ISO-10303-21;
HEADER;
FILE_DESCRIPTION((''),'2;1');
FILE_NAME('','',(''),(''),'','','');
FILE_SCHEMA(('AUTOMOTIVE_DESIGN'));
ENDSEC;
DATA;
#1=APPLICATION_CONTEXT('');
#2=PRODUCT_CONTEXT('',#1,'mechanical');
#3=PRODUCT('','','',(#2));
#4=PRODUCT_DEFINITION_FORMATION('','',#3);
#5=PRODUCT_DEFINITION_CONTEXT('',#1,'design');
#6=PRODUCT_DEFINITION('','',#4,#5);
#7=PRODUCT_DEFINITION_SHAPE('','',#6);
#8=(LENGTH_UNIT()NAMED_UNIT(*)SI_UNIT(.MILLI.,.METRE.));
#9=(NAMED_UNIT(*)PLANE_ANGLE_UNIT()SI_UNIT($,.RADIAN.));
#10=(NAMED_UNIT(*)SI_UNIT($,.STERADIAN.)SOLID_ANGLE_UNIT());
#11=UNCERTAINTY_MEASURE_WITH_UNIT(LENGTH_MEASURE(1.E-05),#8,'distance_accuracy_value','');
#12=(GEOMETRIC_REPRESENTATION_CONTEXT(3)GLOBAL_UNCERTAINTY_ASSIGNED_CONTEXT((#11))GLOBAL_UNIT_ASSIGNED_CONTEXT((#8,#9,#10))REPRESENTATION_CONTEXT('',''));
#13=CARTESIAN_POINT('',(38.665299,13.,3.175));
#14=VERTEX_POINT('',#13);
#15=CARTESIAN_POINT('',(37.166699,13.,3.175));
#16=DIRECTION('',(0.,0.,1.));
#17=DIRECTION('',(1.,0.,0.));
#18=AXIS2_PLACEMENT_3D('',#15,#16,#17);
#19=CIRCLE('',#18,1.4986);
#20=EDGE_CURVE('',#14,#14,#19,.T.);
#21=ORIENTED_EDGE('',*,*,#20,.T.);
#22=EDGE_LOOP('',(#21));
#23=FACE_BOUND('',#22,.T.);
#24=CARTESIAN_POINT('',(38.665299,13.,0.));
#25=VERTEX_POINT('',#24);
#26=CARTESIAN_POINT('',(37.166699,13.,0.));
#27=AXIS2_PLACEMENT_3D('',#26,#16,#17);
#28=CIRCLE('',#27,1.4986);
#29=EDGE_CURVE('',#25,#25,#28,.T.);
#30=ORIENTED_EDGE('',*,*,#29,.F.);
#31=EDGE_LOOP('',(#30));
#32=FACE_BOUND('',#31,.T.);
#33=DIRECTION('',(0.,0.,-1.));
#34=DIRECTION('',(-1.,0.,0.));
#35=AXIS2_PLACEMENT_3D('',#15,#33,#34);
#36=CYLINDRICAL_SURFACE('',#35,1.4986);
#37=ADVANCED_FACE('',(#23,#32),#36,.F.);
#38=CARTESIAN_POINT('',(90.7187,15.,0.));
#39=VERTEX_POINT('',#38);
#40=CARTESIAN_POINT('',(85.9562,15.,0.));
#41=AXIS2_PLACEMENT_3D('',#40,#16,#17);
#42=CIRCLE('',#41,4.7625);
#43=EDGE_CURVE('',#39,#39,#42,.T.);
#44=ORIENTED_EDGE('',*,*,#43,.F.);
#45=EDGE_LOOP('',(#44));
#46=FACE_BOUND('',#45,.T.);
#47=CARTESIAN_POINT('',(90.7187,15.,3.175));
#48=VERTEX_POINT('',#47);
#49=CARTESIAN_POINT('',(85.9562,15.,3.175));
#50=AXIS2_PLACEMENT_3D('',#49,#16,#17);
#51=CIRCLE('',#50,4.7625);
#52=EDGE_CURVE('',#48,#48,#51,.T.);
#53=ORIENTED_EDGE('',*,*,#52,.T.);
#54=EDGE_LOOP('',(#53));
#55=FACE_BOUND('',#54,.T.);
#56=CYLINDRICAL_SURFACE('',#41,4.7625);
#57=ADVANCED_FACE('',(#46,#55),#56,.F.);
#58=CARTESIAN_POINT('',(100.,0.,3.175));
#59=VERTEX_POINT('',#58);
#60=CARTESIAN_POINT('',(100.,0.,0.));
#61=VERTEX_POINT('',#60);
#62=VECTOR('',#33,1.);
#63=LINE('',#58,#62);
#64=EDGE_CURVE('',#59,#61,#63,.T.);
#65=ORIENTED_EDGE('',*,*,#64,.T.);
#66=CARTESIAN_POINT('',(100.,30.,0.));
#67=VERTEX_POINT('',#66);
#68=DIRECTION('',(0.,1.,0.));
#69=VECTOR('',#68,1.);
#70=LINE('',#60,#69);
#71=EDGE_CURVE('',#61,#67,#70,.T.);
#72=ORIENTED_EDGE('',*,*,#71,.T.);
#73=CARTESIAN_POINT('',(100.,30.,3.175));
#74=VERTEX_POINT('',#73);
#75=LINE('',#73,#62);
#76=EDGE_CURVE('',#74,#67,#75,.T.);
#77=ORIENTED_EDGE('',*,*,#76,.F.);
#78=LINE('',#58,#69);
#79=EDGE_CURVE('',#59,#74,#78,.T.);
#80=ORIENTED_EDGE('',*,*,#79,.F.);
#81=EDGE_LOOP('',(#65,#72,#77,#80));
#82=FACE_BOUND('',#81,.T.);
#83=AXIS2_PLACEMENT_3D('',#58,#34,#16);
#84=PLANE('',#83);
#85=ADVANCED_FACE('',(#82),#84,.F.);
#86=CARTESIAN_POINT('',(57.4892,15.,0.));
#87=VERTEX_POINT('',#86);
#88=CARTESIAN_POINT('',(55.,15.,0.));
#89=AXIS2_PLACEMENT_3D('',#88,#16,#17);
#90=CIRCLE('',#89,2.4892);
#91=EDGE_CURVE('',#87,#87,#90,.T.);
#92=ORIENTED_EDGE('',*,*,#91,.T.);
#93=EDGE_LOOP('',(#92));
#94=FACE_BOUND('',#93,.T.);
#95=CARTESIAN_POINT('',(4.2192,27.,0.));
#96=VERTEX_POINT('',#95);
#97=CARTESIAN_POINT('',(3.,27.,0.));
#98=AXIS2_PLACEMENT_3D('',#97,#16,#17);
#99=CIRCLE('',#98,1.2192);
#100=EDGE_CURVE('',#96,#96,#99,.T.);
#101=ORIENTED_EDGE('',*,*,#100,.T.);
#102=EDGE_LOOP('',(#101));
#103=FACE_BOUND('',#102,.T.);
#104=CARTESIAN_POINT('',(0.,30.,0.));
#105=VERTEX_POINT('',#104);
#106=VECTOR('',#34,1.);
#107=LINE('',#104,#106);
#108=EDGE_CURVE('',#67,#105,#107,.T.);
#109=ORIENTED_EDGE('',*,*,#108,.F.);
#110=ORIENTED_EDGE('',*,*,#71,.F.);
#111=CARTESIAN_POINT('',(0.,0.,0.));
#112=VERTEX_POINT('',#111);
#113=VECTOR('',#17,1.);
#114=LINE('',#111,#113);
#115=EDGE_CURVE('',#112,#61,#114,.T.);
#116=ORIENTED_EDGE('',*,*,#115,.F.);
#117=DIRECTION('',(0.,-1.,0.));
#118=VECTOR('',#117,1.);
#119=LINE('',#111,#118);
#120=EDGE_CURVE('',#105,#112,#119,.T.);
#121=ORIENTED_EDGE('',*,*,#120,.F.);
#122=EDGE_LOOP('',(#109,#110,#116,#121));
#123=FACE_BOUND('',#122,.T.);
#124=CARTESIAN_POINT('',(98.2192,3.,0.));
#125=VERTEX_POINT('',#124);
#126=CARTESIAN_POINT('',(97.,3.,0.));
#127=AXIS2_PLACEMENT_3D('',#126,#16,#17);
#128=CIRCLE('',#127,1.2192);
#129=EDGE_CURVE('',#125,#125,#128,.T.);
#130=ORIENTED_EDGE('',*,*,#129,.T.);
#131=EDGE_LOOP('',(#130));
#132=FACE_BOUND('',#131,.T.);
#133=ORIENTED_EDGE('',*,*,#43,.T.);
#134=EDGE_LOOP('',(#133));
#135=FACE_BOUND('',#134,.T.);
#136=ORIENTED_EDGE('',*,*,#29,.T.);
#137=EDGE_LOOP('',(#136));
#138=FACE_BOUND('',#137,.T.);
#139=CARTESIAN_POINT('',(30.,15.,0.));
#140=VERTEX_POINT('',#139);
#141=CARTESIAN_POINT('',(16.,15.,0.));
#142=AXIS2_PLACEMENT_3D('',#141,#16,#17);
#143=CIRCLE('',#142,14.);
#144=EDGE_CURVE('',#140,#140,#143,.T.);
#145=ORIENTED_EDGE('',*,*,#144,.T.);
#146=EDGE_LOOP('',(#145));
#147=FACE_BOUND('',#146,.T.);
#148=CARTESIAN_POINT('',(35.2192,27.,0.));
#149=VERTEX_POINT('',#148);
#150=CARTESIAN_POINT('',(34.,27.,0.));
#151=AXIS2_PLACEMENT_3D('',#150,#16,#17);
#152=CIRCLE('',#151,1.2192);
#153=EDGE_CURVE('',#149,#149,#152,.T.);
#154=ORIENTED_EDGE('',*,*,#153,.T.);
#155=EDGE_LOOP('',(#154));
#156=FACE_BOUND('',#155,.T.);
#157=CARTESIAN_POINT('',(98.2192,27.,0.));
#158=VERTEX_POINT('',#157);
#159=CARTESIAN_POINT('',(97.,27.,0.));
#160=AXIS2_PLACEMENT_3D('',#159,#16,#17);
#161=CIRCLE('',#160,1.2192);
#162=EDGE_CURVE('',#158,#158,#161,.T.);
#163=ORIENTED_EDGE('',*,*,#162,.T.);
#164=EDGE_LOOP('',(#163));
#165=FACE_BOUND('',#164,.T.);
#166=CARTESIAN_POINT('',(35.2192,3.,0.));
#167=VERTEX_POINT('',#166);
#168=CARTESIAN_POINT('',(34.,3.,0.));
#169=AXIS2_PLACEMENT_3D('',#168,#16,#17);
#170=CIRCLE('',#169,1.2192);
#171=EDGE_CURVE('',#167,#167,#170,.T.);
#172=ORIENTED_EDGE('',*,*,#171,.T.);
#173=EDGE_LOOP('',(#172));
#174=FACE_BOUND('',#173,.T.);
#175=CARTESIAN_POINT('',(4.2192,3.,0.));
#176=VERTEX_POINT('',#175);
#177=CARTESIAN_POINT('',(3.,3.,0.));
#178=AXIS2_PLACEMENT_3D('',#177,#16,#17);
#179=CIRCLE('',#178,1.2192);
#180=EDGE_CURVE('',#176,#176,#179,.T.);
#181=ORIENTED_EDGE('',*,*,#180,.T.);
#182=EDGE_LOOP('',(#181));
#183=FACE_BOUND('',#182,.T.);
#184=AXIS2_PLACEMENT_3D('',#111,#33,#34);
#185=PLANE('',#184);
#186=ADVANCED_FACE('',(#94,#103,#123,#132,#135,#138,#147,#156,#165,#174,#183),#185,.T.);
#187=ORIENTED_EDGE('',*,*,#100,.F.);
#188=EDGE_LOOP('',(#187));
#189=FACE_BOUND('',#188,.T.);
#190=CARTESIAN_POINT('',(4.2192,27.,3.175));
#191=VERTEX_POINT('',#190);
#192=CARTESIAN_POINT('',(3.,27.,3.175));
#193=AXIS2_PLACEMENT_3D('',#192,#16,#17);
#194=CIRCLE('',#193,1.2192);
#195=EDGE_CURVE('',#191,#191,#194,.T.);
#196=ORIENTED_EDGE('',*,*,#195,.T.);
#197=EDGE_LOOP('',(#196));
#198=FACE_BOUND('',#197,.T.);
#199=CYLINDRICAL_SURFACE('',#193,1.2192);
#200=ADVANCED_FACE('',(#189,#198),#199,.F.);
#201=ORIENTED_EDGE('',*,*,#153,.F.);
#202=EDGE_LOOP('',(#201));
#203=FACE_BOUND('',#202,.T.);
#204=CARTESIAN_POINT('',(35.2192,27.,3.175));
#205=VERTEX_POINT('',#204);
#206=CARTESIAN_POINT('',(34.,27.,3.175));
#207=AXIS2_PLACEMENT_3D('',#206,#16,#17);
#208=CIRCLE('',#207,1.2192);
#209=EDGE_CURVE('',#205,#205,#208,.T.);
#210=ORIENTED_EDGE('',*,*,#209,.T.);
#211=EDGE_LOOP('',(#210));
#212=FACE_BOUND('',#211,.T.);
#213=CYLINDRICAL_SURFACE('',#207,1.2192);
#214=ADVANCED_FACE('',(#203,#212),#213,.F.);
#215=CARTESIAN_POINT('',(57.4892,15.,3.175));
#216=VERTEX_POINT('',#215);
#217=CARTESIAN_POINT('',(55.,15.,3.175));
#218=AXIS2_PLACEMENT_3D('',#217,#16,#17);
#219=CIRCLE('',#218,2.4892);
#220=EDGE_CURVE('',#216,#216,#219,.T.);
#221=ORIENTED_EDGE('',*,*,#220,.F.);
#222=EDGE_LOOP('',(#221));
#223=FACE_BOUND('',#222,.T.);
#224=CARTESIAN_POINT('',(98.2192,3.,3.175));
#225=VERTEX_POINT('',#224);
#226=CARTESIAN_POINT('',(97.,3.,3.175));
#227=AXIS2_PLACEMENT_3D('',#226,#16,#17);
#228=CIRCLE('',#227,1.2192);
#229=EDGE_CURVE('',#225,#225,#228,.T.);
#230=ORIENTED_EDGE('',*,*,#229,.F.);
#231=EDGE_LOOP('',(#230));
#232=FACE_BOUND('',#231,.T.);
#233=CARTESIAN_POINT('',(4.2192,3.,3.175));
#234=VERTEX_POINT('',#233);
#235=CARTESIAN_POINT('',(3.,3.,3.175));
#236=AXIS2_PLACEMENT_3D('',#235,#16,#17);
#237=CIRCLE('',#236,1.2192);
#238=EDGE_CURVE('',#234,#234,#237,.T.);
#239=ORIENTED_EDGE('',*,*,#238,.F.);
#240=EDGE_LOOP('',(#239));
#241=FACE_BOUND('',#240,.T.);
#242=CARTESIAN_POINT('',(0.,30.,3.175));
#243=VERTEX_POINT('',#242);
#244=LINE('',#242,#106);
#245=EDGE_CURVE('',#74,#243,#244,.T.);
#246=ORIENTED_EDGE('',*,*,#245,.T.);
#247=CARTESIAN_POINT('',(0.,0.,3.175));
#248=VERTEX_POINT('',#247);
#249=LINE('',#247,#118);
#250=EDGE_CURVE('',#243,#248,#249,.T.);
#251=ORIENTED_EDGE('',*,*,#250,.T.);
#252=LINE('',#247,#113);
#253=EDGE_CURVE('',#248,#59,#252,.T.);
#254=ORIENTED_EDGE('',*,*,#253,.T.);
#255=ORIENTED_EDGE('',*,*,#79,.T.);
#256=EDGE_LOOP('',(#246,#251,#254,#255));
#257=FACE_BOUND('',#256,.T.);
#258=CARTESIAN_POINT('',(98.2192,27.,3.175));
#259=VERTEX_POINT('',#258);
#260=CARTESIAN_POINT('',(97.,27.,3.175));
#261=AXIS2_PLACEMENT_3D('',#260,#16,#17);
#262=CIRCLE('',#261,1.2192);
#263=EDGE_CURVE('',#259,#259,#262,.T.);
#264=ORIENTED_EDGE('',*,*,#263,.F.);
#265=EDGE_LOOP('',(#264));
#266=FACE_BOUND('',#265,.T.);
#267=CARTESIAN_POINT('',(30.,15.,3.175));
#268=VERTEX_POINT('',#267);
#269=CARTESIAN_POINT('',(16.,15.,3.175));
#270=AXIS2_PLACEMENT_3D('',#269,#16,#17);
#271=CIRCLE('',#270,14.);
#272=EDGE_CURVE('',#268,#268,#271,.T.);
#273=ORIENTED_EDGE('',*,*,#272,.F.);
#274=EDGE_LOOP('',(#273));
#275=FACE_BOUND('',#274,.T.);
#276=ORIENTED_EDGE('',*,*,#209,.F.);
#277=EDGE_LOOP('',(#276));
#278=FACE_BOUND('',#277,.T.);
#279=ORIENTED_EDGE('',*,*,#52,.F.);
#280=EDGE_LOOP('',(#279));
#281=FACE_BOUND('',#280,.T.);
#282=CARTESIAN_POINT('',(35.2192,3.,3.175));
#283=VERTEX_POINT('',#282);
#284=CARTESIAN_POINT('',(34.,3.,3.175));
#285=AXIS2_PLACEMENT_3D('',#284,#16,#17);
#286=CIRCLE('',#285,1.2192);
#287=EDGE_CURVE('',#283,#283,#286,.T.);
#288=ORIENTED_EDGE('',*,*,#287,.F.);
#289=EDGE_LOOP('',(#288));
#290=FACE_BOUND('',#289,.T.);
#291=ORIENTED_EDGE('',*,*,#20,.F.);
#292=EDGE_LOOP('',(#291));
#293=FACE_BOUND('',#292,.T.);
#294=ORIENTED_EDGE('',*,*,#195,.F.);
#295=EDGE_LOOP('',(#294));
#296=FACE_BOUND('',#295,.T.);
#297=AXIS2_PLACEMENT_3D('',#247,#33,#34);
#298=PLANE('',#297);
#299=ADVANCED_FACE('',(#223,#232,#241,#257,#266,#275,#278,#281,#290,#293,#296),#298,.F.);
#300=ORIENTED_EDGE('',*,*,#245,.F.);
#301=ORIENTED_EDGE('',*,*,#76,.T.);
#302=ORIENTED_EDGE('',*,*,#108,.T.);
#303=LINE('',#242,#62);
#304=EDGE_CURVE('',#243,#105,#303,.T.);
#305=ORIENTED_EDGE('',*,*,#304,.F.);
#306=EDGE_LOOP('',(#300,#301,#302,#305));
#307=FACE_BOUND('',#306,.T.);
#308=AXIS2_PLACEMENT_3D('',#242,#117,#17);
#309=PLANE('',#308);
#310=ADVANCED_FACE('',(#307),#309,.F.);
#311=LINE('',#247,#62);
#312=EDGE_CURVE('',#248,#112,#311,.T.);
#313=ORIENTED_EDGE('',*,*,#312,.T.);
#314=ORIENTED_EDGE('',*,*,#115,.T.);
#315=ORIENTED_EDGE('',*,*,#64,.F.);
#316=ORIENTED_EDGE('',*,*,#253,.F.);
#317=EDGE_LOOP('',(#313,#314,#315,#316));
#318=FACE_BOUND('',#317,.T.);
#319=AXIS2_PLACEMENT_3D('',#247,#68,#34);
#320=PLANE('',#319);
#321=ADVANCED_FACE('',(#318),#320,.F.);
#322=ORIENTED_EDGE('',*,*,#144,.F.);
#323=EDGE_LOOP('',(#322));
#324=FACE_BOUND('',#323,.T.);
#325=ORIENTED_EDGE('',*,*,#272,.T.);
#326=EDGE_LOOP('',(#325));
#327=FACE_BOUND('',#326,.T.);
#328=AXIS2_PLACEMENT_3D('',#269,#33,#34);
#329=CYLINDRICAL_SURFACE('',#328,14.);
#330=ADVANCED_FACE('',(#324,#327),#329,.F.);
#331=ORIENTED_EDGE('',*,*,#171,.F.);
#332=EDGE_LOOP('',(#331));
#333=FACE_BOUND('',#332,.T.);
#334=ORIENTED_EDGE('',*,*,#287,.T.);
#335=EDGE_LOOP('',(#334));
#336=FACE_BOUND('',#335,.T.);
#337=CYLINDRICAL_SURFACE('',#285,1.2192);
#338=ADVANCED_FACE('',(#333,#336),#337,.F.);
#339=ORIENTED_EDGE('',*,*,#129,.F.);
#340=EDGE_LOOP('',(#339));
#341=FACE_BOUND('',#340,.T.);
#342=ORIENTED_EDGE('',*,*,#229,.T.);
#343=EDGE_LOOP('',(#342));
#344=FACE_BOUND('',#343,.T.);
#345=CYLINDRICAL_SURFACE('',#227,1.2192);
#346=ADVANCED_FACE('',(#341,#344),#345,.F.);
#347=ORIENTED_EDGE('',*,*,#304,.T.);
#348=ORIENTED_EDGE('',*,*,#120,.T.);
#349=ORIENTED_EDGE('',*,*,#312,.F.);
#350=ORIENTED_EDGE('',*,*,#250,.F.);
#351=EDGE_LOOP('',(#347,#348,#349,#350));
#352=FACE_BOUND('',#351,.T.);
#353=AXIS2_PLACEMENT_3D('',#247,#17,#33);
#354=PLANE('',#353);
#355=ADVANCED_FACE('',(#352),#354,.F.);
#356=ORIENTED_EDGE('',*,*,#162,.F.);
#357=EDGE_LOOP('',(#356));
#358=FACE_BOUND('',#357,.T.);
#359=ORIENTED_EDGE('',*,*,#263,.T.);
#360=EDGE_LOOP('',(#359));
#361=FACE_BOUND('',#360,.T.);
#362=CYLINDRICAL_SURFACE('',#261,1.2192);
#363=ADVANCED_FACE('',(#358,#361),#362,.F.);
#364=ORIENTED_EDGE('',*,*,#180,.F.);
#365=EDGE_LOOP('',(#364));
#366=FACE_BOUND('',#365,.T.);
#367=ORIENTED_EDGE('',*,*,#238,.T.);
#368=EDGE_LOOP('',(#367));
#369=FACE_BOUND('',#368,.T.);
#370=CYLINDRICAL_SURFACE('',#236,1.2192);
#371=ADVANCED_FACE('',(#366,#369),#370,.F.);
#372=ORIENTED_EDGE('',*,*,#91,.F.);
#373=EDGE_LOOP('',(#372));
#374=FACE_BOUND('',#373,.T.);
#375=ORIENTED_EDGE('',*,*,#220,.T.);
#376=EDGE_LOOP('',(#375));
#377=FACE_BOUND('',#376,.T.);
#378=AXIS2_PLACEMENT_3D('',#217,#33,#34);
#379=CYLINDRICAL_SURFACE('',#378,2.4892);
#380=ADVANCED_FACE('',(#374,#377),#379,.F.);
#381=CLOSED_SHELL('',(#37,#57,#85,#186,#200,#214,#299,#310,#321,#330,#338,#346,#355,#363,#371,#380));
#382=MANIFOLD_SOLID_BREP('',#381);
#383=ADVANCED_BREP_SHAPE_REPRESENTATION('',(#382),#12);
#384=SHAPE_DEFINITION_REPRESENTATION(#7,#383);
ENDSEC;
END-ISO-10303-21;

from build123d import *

# Parameters (mm, degrees)
SKETCH1_W             = 100
SKETCH1_H             = 30
SKETCH1_R             = 2.4892
SKETCH1_R_2           = 1.4986
SKETCH1_R_3           = 14
BOSS_EXTRUDE2_DEPTH   = 3.175
F_2_CLEARANCE_HOLE1_D = 2.4384
SKETCH5_R             = 4.7625
CUT_EXTRUDE1_DEPTH    = 105.45133137


with BuildPart() as part:
    # Sketch1 → Boss-Extrude2 (new body)
    with BuildSketch(Plane.XY):
        with Locations((50, 15)):
            Rectangle(SKETCH1_W, SKETCH1_H)
        with Locations((55, 15)):
            Circle(SKETCH1_R, mode=Mode.SUBTRACT)
        with Locations((37.166699296, 13)):
            Circle(SKETCH1_R_2, mode=Mode.SUBTRACT)
        with Locations((16, 15)):
            Circle(SKETCH1_R_3, mode=Mode.SUBTRACT)
    extrude(amount=BOSS_EXTRUDE2_DEPTH)

    # #2 Clearance Hole1 (through all)
    with Locations(Plane.XY.offset(3.175)):
        with Locations((97, 3), (97, 27), (3, 27), (3, 3), (34, 27), (34, 3)):
            Hole(F_2_CLEARANCE_HOLE1_D / 2)

    # Sketch5 → Cut-Extrude1 (cut, through all)
    with BuildSketch(Plane.XY.offset(3.175)):
        with Locations((85.9562, 15)):
            Circle(SKETCH5_R)
    extrude(amount=-CUT_EXTRUDE1_DEPTH, mode=Mode.SUBTRACT)


solid = part.part
